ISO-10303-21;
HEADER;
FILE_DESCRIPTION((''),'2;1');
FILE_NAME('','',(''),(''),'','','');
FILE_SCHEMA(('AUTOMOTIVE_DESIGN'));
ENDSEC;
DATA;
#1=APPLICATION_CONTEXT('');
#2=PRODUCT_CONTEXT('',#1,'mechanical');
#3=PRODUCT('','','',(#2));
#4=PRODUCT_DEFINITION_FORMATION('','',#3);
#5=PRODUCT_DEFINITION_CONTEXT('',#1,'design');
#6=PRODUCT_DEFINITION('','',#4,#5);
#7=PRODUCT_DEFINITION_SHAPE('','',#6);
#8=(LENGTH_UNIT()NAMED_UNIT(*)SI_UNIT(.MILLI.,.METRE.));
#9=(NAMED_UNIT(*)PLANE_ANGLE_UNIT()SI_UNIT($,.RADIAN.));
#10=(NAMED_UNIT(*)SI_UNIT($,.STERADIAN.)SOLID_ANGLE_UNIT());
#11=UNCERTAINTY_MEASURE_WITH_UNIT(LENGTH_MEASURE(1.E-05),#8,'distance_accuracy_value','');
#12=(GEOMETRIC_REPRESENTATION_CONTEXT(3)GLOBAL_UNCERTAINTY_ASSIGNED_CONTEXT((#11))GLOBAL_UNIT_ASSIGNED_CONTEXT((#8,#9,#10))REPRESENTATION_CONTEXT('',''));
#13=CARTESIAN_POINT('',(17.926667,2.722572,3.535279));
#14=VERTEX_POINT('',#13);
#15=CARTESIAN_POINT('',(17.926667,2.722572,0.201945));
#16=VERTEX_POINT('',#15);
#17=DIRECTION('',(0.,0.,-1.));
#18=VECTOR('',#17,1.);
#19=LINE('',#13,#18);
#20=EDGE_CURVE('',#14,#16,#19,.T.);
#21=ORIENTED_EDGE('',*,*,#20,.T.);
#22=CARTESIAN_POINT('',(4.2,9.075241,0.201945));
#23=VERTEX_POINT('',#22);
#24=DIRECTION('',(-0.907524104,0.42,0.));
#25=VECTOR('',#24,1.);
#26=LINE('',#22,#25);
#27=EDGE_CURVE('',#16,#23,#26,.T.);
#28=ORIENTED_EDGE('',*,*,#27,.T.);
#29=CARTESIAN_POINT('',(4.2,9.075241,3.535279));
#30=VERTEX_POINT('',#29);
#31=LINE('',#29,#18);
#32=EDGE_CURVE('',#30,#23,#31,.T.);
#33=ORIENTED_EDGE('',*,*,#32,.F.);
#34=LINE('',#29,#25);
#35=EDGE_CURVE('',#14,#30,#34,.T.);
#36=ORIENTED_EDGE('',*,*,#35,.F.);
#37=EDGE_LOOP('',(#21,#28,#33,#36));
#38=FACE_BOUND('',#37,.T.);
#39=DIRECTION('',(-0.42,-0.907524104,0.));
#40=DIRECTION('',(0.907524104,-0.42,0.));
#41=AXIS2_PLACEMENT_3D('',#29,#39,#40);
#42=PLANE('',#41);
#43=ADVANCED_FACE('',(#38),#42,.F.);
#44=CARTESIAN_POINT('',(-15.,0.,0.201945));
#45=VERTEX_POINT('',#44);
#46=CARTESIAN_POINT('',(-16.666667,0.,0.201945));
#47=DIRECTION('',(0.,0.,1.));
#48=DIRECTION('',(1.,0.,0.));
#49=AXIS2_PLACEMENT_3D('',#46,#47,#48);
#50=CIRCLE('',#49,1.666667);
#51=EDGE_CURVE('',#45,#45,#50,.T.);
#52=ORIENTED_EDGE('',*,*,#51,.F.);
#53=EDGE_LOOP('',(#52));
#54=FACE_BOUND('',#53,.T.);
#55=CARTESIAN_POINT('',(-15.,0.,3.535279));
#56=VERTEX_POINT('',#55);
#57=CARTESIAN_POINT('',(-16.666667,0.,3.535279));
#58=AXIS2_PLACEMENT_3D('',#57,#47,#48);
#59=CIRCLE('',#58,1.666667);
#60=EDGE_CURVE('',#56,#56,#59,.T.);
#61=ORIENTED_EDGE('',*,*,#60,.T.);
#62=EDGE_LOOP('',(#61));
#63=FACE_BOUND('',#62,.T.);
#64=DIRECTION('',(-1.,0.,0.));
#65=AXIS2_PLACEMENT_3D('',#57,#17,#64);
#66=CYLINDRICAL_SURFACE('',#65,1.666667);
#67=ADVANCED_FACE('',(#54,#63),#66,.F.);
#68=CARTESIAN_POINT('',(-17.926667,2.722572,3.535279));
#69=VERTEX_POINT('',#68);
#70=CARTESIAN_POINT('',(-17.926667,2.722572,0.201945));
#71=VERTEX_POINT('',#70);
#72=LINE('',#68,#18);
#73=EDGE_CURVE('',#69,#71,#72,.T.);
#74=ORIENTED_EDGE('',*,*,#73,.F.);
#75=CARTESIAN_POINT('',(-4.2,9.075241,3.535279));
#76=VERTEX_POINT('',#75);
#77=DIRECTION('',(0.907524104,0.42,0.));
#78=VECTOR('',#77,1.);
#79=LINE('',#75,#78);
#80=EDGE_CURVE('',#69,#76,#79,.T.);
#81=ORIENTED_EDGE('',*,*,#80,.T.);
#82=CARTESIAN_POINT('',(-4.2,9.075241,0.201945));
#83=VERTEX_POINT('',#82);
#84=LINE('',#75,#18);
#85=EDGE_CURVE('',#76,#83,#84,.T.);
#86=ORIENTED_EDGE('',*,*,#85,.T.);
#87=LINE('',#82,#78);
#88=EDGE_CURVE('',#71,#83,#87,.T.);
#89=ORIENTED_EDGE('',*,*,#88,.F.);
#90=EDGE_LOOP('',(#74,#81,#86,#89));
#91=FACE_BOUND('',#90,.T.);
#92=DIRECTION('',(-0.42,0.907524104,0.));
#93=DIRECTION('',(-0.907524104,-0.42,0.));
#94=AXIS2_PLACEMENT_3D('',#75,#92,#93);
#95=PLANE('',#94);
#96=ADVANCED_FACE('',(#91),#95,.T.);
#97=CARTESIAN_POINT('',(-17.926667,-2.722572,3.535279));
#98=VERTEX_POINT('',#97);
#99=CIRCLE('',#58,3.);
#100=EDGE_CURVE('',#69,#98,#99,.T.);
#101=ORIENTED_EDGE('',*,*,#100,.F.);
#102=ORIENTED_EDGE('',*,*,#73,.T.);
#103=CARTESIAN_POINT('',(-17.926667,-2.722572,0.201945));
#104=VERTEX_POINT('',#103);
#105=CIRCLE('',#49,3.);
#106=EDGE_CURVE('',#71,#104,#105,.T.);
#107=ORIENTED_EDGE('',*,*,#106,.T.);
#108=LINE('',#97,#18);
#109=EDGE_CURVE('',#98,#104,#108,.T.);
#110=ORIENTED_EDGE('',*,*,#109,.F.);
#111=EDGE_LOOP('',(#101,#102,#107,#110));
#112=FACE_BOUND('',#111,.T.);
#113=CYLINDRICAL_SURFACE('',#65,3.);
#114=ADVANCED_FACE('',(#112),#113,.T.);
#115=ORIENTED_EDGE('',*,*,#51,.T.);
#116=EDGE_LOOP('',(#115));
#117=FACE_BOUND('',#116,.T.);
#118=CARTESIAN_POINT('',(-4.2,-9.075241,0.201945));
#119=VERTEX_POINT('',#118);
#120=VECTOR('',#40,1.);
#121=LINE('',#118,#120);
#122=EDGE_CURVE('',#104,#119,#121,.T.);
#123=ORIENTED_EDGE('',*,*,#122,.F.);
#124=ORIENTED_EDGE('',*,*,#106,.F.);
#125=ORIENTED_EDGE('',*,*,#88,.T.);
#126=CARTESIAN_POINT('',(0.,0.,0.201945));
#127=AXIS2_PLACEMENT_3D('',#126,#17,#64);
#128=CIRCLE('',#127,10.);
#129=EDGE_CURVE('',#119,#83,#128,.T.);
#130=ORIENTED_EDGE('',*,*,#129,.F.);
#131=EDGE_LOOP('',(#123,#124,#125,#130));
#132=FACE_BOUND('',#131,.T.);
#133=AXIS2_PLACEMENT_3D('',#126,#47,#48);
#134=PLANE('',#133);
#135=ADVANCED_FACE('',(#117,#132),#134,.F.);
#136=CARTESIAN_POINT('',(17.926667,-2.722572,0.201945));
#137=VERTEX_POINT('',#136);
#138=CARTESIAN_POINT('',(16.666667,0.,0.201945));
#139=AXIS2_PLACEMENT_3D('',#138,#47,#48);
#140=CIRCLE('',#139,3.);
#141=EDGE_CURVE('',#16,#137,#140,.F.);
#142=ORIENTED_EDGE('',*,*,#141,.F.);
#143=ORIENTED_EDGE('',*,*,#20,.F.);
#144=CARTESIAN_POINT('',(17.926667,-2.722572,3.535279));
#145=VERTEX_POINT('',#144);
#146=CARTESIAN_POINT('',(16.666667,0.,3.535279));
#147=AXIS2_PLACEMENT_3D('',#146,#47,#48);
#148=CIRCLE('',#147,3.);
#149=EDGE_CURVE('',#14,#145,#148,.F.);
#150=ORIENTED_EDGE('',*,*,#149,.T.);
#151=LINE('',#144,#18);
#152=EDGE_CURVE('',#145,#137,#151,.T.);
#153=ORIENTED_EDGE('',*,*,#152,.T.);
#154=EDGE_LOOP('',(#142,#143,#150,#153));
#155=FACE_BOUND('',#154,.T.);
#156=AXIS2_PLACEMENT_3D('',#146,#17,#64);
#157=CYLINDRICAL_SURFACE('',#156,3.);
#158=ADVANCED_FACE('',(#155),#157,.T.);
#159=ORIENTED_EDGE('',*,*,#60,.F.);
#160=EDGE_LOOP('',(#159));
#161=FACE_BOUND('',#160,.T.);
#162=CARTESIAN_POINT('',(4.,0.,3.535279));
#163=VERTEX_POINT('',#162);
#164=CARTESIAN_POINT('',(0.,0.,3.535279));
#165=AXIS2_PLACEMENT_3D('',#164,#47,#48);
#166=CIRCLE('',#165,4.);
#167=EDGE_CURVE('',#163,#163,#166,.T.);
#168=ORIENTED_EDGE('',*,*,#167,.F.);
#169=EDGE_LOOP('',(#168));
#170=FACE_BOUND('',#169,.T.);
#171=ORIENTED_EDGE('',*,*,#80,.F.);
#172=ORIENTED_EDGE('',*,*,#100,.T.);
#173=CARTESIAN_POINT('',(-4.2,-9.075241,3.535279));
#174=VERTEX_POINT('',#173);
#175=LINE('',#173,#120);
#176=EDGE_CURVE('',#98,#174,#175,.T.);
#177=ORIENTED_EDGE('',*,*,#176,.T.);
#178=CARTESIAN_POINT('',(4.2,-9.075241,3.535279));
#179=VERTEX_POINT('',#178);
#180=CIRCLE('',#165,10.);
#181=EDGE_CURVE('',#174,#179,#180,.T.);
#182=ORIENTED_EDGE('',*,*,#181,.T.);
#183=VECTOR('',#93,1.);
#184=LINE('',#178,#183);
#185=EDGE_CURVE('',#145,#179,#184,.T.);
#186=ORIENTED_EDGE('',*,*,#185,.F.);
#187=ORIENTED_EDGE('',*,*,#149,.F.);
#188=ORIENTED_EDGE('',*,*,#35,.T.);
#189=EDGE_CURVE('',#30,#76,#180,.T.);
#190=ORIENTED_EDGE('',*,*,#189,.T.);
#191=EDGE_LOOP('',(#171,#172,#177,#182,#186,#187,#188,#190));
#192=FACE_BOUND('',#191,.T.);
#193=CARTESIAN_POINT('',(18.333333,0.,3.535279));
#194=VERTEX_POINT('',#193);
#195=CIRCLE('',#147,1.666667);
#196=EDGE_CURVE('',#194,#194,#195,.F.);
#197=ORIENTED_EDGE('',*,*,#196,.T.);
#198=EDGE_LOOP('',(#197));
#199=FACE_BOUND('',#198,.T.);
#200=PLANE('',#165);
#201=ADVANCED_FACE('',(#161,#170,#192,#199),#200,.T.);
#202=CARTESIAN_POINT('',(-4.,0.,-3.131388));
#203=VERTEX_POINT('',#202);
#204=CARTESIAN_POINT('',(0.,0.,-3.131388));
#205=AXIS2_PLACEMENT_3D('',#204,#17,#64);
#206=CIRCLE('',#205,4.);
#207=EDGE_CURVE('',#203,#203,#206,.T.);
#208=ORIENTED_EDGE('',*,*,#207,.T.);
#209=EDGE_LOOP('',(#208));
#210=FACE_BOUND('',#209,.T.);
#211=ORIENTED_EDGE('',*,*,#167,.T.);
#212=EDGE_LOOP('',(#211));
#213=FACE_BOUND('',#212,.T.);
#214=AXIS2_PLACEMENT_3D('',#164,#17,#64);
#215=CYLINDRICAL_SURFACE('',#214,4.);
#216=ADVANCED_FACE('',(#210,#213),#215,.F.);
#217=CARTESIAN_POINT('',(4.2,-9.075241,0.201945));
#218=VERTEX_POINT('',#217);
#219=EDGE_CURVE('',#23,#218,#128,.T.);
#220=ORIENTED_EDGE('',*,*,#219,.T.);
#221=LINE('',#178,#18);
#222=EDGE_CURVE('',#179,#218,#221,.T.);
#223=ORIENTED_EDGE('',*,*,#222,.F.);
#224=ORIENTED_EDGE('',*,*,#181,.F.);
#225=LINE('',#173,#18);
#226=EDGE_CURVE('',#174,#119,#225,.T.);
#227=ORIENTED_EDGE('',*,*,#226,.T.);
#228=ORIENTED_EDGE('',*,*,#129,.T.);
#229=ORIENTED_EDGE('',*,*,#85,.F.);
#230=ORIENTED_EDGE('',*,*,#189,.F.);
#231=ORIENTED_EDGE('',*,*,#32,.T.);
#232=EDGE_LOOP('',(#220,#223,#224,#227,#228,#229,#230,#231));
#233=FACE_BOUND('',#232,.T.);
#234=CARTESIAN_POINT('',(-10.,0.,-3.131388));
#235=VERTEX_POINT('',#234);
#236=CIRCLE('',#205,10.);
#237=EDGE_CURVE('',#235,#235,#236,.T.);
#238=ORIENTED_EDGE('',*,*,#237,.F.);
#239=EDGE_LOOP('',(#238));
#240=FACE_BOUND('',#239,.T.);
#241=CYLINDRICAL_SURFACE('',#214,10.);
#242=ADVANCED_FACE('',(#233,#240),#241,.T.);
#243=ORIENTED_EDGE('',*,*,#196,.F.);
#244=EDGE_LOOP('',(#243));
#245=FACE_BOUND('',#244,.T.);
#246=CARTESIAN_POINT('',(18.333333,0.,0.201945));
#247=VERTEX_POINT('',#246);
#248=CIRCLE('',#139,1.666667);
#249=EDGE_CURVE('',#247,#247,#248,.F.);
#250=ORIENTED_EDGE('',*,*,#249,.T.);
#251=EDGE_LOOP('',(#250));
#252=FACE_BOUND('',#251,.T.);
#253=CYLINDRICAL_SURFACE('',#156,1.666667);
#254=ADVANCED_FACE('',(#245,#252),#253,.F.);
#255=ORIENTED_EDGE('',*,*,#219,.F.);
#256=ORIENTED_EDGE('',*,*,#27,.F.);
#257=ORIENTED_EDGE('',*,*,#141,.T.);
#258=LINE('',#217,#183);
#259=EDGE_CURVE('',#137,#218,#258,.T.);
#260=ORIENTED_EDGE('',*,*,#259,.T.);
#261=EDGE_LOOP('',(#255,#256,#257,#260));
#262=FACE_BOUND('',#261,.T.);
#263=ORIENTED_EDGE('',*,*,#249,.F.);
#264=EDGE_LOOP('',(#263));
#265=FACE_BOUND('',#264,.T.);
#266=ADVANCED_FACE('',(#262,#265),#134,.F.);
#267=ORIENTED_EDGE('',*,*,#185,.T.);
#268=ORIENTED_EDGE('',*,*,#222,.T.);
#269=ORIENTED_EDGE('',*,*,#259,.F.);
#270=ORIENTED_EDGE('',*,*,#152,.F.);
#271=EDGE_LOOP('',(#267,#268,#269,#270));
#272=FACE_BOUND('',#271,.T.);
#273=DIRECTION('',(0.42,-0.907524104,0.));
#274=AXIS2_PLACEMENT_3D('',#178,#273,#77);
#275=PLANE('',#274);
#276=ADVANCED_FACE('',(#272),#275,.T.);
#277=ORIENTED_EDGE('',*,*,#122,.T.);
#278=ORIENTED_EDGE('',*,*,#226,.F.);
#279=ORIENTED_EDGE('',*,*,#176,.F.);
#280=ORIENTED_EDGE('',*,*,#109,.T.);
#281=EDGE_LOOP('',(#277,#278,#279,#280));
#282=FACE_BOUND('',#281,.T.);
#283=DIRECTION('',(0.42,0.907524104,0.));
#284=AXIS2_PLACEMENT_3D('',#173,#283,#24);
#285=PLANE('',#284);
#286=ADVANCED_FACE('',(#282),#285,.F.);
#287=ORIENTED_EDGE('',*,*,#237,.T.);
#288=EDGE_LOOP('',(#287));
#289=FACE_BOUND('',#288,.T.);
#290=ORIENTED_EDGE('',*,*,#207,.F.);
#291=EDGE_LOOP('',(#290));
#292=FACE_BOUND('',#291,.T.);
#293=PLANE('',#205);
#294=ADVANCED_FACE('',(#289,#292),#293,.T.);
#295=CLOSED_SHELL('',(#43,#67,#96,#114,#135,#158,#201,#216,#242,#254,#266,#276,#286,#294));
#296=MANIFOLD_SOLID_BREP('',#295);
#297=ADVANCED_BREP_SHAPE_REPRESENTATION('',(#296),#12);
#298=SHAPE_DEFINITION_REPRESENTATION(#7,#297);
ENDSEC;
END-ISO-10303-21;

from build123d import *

# Parameters (mm, degrees)
SKETCH1_R           = 2.5
SKETCH1_R_2         = 6
BOSS_EXTRUDE1_DEPTH = 5
BOSS_EXTRUDE2_START = 5
SKETCH2_R           = 15
SKETCH2_R_2         = 6
BOSS_EXTRUDE2_DEPTH = 5
SCALE1_SCALE        = 0.666666667


with BuildPart() as part:
    # Sketch1 → Boss-Extrude1 (new body)
    with BuildSketch(Plane.XY):
        with BuildLine():
            Line((6.3, -13.612861565), (26.89, -4.08385847))
            ThreePointArc((26.89, -4.08385847), (29.5, 0), (26.89, 4.08385847))
            Line((26.89, 4.08385847), (6.3, 13.612861565))
            ThreePointArc((6.3, 13.612861565), (0, 15), (-6.3, 13.612861565))
            Line((-6.3, 13.612861565), (-26.89, 4.08385847))
            ThreePointArc((-26.89, 4.08385847), (-29.5, 0), (-26.89, -4.08385847))
            Line((-26.89, -4.08385847), (-6.3, -13.612861565))
            ThreePointArc((-6.3, -13.612861565), (0, -15), (6.3, -13.612861565))
        make_face()
        with Locations((25, 0)):
            Circle(SKETCH1_R, mode=Mode.SUBTRACT)
        Circle(SKETCH1_R_2, mode=Mode.SUBTRACT)
        with Locations((-25, 0)):
            Circle(SKETCH1_R, mode=Mode.SUBTRACT)
    extrude(amount=BOSS_EXTRUDE1_DEPTH)

    # Sketch2 → Boss-Extrude2 (add)
    with BuildSketch(Plane(origin=(0, 0, 0), x_dir=(-1, 0, 0), z_dir=(0, 0, -1)).offset(BOSS_EXTRUDE2_START)):
        Circle(SKETCH2_R)
        Circle(SKETCH2_R_2, mode=Mode.SUBTRACT)
    extrude(amount=-BOSS_EXTRUDE2_DEPTH)


with BuildPart() as part_1:
    # Scale1: scaled about (0, 0, 0.605835617)
    add(part.part.scale(SCALE1_SCALE).moved(Location((0, 0, 0.201945206))))


solid = part_1.part
